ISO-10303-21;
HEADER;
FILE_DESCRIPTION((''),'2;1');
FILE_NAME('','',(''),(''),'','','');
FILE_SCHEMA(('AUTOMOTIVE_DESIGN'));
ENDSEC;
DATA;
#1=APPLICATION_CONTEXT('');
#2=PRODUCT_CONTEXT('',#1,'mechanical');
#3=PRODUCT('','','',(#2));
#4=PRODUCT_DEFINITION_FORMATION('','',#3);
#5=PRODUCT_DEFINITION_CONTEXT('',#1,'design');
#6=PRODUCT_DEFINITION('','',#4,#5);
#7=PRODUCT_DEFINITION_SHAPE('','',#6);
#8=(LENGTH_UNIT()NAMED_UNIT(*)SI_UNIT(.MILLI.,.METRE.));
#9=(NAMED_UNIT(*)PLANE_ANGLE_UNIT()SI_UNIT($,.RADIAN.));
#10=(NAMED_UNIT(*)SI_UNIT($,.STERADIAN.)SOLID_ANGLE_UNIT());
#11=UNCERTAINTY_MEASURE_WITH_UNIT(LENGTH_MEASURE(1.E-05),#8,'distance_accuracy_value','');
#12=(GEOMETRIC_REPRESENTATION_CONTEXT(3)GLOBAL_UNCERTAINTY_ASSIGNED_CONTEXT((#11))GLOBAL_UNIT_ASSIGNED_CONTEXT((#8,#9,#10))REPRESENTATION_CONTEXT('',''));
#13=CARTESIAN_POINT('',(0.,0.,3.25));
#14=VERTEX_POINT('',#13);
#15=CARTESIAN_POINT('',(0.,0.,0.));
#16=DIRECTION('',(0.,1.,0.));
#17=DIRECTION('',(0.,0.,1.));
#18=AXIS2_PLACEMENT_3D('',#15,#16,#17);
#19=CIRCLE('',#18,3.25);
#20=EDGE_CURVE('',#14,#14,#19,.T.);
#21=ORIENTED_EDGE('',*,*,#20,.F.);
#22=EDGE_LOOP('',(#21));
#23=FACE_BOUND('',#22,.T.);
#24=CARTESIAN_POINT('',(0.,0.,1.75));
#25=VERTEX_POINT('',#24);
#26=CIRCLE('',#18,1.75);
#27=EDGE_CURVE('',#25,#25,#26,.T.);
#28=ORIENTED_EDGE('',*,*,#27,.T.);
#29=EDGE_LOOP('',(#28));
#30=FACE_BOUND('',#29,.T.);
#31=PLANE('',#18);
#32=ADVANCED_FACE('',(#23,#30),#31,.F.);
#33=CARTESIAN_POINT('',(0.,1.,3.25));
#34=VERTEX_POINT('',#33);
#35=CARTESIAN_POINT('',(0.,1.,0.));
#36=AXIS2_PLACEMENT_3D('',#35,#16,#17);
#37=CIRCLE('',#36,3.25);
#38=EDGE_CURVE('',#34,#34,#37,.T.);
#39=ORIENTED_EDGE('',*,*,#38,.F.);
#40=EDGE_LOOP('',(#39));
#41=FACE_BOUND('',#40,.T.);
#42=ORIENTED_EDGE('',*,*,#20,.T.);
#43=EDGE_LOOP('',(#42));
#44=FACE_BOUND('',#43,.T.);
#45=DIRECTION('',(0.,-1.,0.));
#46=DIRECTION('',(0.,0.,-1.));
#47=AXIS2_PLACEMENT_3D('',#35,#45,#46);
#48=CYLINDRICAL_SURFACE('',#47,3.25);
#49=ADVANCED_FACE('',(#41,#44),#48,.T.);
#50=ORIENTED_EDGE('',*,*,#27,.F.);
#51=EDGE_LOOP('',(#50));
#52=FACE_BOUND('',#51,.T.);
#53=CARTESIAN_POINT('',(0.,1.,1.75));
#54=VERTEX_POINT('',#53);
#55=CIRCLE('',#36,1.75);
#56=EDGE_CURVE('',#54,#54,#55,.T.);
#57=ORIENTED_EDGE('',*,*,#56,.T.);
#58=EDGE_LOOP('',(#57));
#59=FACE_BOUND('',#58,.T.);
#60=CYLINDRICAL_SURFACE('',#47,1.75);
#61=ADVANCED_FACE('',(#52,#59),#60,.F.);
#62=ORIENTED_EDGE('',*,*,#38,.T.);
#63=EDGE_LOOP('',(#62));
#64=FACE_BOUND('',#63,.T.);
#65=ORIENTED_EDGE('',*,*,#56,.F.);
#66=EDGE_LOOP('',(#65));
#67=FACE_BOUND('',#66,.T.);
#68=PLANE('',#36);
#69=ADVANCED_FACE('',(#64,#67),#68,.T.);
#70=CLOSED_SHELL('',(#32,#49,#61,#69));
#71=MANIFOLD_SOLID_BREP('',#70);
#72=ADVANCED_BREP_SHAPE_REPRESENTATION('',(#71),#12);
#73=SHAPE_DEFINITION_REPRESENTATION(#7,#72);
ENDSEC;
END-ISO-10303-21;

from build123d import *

# Parameters (mm, degrees)
SKIZZE1_R                       = 3.25
SKIZZE1_R_2                     = 1.75
AUFSATZ_LINEAR_AUSTRAGEN1_DEPTH = 1


with BuildPart() as part:
    # Skizze1 → Aufsatz-Linear austragen1 (new body)
    with BuildSketch(Plane(origin=(0, 0, 0), x_dir=(1, 0, 0), z_dir=(0, 1, 0))):
        Circle(SKIZZE1_R)
        Circle(SKIZZE1_R_2, mode=Mode.SUBTRACT)
    extrude(amount=AUFSATZ_LINEAR_AUSTRAGEN1_DEPTH)


solid = part.part
